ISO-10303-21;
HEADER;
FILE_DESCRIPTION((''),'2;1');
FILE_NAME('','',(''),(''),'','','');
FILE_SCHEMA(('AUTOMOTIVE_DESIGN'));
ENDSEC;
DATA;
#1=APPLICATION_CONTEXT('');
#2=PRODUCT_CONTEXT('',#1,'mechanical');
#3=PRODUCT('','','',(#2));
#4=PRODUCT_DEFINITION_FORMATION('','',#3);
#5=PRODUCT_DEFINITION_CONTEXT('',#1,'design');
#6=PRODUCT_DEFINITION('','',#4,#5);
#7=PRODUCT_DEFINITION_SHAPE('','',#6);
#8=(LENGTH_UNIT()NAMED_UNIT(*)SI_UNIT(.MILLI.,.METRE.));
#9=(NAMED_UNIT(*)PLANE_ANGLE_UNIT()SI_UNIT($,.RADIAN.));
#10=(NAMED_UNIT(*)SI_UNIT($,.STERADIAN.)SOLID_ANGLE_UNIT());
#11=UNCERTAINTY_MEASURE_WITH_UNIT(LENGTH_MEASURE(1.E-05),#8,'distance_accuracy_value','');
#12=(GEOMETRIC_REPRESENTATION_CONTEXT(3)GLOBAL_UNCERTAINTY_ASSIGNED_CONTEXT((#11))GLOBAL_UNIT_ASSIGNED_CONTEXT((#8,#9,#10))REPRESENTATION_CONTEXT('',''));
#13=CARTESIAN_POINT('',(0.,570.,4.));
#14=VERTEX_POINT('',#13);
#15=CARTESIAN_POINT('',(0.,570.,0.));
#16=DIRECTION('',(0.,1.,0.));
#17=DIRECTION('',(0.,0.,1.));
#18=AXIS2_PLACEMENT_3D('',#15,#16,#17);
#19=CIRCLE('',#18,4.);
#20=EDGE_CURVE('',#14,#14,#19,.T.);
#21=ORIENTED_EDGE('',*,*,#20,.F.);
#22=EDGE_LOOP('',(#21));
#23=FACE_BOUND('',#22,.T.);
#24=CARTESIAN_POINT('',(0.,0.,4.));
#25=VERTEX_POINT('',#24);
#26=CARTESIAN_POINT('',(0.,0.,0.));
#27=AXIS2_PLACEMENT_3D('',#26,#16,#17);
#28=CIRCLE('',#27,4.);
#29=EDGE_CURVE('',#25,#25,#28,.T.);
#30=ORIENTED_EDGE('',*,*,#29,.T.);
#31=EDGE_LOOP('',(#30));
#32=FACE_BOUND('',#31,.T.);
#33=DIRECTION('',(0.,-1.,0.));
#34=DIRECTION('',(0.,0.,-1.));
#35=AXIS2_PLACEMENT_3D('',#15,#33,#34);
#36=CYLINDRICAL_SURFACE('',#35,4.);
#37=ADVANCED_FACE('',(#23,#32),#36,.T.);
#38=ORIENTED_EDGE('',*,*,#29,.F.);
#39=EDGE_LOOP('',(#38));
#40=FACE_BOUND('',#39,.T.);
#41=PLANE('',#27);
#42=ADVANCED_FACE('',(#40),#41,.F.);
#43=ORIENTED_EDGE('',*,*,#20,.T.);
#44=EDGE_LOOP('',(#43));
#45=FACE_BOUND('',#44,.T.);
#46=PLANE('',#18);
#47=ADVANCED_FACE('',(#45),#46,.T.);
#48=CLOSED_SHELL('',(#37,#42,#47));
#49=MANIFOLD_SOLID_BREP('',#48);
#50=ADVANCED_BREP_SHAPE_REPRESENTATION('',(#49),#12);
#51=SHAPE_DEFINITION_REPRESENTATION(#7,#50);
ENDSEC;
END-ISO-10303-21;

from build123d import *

# Parameters (mm, degrees)
SKETCH1_R           = 4
BOSS_EXTRUDE1_DEPTH = 570


with BuildPart() as part:
    # Sketch1 → Boss-Extrude1 (new body)
    with BuildSketch(Plane(origin=(0, 0, 0), x_dir=(1, 0, 0), z_dir=(0, 1, 0))):
        Circle(SKETCH1_R)
    extrude(amount=BOSS_EXTRUDE1_DEPTH)


solid = part.part
